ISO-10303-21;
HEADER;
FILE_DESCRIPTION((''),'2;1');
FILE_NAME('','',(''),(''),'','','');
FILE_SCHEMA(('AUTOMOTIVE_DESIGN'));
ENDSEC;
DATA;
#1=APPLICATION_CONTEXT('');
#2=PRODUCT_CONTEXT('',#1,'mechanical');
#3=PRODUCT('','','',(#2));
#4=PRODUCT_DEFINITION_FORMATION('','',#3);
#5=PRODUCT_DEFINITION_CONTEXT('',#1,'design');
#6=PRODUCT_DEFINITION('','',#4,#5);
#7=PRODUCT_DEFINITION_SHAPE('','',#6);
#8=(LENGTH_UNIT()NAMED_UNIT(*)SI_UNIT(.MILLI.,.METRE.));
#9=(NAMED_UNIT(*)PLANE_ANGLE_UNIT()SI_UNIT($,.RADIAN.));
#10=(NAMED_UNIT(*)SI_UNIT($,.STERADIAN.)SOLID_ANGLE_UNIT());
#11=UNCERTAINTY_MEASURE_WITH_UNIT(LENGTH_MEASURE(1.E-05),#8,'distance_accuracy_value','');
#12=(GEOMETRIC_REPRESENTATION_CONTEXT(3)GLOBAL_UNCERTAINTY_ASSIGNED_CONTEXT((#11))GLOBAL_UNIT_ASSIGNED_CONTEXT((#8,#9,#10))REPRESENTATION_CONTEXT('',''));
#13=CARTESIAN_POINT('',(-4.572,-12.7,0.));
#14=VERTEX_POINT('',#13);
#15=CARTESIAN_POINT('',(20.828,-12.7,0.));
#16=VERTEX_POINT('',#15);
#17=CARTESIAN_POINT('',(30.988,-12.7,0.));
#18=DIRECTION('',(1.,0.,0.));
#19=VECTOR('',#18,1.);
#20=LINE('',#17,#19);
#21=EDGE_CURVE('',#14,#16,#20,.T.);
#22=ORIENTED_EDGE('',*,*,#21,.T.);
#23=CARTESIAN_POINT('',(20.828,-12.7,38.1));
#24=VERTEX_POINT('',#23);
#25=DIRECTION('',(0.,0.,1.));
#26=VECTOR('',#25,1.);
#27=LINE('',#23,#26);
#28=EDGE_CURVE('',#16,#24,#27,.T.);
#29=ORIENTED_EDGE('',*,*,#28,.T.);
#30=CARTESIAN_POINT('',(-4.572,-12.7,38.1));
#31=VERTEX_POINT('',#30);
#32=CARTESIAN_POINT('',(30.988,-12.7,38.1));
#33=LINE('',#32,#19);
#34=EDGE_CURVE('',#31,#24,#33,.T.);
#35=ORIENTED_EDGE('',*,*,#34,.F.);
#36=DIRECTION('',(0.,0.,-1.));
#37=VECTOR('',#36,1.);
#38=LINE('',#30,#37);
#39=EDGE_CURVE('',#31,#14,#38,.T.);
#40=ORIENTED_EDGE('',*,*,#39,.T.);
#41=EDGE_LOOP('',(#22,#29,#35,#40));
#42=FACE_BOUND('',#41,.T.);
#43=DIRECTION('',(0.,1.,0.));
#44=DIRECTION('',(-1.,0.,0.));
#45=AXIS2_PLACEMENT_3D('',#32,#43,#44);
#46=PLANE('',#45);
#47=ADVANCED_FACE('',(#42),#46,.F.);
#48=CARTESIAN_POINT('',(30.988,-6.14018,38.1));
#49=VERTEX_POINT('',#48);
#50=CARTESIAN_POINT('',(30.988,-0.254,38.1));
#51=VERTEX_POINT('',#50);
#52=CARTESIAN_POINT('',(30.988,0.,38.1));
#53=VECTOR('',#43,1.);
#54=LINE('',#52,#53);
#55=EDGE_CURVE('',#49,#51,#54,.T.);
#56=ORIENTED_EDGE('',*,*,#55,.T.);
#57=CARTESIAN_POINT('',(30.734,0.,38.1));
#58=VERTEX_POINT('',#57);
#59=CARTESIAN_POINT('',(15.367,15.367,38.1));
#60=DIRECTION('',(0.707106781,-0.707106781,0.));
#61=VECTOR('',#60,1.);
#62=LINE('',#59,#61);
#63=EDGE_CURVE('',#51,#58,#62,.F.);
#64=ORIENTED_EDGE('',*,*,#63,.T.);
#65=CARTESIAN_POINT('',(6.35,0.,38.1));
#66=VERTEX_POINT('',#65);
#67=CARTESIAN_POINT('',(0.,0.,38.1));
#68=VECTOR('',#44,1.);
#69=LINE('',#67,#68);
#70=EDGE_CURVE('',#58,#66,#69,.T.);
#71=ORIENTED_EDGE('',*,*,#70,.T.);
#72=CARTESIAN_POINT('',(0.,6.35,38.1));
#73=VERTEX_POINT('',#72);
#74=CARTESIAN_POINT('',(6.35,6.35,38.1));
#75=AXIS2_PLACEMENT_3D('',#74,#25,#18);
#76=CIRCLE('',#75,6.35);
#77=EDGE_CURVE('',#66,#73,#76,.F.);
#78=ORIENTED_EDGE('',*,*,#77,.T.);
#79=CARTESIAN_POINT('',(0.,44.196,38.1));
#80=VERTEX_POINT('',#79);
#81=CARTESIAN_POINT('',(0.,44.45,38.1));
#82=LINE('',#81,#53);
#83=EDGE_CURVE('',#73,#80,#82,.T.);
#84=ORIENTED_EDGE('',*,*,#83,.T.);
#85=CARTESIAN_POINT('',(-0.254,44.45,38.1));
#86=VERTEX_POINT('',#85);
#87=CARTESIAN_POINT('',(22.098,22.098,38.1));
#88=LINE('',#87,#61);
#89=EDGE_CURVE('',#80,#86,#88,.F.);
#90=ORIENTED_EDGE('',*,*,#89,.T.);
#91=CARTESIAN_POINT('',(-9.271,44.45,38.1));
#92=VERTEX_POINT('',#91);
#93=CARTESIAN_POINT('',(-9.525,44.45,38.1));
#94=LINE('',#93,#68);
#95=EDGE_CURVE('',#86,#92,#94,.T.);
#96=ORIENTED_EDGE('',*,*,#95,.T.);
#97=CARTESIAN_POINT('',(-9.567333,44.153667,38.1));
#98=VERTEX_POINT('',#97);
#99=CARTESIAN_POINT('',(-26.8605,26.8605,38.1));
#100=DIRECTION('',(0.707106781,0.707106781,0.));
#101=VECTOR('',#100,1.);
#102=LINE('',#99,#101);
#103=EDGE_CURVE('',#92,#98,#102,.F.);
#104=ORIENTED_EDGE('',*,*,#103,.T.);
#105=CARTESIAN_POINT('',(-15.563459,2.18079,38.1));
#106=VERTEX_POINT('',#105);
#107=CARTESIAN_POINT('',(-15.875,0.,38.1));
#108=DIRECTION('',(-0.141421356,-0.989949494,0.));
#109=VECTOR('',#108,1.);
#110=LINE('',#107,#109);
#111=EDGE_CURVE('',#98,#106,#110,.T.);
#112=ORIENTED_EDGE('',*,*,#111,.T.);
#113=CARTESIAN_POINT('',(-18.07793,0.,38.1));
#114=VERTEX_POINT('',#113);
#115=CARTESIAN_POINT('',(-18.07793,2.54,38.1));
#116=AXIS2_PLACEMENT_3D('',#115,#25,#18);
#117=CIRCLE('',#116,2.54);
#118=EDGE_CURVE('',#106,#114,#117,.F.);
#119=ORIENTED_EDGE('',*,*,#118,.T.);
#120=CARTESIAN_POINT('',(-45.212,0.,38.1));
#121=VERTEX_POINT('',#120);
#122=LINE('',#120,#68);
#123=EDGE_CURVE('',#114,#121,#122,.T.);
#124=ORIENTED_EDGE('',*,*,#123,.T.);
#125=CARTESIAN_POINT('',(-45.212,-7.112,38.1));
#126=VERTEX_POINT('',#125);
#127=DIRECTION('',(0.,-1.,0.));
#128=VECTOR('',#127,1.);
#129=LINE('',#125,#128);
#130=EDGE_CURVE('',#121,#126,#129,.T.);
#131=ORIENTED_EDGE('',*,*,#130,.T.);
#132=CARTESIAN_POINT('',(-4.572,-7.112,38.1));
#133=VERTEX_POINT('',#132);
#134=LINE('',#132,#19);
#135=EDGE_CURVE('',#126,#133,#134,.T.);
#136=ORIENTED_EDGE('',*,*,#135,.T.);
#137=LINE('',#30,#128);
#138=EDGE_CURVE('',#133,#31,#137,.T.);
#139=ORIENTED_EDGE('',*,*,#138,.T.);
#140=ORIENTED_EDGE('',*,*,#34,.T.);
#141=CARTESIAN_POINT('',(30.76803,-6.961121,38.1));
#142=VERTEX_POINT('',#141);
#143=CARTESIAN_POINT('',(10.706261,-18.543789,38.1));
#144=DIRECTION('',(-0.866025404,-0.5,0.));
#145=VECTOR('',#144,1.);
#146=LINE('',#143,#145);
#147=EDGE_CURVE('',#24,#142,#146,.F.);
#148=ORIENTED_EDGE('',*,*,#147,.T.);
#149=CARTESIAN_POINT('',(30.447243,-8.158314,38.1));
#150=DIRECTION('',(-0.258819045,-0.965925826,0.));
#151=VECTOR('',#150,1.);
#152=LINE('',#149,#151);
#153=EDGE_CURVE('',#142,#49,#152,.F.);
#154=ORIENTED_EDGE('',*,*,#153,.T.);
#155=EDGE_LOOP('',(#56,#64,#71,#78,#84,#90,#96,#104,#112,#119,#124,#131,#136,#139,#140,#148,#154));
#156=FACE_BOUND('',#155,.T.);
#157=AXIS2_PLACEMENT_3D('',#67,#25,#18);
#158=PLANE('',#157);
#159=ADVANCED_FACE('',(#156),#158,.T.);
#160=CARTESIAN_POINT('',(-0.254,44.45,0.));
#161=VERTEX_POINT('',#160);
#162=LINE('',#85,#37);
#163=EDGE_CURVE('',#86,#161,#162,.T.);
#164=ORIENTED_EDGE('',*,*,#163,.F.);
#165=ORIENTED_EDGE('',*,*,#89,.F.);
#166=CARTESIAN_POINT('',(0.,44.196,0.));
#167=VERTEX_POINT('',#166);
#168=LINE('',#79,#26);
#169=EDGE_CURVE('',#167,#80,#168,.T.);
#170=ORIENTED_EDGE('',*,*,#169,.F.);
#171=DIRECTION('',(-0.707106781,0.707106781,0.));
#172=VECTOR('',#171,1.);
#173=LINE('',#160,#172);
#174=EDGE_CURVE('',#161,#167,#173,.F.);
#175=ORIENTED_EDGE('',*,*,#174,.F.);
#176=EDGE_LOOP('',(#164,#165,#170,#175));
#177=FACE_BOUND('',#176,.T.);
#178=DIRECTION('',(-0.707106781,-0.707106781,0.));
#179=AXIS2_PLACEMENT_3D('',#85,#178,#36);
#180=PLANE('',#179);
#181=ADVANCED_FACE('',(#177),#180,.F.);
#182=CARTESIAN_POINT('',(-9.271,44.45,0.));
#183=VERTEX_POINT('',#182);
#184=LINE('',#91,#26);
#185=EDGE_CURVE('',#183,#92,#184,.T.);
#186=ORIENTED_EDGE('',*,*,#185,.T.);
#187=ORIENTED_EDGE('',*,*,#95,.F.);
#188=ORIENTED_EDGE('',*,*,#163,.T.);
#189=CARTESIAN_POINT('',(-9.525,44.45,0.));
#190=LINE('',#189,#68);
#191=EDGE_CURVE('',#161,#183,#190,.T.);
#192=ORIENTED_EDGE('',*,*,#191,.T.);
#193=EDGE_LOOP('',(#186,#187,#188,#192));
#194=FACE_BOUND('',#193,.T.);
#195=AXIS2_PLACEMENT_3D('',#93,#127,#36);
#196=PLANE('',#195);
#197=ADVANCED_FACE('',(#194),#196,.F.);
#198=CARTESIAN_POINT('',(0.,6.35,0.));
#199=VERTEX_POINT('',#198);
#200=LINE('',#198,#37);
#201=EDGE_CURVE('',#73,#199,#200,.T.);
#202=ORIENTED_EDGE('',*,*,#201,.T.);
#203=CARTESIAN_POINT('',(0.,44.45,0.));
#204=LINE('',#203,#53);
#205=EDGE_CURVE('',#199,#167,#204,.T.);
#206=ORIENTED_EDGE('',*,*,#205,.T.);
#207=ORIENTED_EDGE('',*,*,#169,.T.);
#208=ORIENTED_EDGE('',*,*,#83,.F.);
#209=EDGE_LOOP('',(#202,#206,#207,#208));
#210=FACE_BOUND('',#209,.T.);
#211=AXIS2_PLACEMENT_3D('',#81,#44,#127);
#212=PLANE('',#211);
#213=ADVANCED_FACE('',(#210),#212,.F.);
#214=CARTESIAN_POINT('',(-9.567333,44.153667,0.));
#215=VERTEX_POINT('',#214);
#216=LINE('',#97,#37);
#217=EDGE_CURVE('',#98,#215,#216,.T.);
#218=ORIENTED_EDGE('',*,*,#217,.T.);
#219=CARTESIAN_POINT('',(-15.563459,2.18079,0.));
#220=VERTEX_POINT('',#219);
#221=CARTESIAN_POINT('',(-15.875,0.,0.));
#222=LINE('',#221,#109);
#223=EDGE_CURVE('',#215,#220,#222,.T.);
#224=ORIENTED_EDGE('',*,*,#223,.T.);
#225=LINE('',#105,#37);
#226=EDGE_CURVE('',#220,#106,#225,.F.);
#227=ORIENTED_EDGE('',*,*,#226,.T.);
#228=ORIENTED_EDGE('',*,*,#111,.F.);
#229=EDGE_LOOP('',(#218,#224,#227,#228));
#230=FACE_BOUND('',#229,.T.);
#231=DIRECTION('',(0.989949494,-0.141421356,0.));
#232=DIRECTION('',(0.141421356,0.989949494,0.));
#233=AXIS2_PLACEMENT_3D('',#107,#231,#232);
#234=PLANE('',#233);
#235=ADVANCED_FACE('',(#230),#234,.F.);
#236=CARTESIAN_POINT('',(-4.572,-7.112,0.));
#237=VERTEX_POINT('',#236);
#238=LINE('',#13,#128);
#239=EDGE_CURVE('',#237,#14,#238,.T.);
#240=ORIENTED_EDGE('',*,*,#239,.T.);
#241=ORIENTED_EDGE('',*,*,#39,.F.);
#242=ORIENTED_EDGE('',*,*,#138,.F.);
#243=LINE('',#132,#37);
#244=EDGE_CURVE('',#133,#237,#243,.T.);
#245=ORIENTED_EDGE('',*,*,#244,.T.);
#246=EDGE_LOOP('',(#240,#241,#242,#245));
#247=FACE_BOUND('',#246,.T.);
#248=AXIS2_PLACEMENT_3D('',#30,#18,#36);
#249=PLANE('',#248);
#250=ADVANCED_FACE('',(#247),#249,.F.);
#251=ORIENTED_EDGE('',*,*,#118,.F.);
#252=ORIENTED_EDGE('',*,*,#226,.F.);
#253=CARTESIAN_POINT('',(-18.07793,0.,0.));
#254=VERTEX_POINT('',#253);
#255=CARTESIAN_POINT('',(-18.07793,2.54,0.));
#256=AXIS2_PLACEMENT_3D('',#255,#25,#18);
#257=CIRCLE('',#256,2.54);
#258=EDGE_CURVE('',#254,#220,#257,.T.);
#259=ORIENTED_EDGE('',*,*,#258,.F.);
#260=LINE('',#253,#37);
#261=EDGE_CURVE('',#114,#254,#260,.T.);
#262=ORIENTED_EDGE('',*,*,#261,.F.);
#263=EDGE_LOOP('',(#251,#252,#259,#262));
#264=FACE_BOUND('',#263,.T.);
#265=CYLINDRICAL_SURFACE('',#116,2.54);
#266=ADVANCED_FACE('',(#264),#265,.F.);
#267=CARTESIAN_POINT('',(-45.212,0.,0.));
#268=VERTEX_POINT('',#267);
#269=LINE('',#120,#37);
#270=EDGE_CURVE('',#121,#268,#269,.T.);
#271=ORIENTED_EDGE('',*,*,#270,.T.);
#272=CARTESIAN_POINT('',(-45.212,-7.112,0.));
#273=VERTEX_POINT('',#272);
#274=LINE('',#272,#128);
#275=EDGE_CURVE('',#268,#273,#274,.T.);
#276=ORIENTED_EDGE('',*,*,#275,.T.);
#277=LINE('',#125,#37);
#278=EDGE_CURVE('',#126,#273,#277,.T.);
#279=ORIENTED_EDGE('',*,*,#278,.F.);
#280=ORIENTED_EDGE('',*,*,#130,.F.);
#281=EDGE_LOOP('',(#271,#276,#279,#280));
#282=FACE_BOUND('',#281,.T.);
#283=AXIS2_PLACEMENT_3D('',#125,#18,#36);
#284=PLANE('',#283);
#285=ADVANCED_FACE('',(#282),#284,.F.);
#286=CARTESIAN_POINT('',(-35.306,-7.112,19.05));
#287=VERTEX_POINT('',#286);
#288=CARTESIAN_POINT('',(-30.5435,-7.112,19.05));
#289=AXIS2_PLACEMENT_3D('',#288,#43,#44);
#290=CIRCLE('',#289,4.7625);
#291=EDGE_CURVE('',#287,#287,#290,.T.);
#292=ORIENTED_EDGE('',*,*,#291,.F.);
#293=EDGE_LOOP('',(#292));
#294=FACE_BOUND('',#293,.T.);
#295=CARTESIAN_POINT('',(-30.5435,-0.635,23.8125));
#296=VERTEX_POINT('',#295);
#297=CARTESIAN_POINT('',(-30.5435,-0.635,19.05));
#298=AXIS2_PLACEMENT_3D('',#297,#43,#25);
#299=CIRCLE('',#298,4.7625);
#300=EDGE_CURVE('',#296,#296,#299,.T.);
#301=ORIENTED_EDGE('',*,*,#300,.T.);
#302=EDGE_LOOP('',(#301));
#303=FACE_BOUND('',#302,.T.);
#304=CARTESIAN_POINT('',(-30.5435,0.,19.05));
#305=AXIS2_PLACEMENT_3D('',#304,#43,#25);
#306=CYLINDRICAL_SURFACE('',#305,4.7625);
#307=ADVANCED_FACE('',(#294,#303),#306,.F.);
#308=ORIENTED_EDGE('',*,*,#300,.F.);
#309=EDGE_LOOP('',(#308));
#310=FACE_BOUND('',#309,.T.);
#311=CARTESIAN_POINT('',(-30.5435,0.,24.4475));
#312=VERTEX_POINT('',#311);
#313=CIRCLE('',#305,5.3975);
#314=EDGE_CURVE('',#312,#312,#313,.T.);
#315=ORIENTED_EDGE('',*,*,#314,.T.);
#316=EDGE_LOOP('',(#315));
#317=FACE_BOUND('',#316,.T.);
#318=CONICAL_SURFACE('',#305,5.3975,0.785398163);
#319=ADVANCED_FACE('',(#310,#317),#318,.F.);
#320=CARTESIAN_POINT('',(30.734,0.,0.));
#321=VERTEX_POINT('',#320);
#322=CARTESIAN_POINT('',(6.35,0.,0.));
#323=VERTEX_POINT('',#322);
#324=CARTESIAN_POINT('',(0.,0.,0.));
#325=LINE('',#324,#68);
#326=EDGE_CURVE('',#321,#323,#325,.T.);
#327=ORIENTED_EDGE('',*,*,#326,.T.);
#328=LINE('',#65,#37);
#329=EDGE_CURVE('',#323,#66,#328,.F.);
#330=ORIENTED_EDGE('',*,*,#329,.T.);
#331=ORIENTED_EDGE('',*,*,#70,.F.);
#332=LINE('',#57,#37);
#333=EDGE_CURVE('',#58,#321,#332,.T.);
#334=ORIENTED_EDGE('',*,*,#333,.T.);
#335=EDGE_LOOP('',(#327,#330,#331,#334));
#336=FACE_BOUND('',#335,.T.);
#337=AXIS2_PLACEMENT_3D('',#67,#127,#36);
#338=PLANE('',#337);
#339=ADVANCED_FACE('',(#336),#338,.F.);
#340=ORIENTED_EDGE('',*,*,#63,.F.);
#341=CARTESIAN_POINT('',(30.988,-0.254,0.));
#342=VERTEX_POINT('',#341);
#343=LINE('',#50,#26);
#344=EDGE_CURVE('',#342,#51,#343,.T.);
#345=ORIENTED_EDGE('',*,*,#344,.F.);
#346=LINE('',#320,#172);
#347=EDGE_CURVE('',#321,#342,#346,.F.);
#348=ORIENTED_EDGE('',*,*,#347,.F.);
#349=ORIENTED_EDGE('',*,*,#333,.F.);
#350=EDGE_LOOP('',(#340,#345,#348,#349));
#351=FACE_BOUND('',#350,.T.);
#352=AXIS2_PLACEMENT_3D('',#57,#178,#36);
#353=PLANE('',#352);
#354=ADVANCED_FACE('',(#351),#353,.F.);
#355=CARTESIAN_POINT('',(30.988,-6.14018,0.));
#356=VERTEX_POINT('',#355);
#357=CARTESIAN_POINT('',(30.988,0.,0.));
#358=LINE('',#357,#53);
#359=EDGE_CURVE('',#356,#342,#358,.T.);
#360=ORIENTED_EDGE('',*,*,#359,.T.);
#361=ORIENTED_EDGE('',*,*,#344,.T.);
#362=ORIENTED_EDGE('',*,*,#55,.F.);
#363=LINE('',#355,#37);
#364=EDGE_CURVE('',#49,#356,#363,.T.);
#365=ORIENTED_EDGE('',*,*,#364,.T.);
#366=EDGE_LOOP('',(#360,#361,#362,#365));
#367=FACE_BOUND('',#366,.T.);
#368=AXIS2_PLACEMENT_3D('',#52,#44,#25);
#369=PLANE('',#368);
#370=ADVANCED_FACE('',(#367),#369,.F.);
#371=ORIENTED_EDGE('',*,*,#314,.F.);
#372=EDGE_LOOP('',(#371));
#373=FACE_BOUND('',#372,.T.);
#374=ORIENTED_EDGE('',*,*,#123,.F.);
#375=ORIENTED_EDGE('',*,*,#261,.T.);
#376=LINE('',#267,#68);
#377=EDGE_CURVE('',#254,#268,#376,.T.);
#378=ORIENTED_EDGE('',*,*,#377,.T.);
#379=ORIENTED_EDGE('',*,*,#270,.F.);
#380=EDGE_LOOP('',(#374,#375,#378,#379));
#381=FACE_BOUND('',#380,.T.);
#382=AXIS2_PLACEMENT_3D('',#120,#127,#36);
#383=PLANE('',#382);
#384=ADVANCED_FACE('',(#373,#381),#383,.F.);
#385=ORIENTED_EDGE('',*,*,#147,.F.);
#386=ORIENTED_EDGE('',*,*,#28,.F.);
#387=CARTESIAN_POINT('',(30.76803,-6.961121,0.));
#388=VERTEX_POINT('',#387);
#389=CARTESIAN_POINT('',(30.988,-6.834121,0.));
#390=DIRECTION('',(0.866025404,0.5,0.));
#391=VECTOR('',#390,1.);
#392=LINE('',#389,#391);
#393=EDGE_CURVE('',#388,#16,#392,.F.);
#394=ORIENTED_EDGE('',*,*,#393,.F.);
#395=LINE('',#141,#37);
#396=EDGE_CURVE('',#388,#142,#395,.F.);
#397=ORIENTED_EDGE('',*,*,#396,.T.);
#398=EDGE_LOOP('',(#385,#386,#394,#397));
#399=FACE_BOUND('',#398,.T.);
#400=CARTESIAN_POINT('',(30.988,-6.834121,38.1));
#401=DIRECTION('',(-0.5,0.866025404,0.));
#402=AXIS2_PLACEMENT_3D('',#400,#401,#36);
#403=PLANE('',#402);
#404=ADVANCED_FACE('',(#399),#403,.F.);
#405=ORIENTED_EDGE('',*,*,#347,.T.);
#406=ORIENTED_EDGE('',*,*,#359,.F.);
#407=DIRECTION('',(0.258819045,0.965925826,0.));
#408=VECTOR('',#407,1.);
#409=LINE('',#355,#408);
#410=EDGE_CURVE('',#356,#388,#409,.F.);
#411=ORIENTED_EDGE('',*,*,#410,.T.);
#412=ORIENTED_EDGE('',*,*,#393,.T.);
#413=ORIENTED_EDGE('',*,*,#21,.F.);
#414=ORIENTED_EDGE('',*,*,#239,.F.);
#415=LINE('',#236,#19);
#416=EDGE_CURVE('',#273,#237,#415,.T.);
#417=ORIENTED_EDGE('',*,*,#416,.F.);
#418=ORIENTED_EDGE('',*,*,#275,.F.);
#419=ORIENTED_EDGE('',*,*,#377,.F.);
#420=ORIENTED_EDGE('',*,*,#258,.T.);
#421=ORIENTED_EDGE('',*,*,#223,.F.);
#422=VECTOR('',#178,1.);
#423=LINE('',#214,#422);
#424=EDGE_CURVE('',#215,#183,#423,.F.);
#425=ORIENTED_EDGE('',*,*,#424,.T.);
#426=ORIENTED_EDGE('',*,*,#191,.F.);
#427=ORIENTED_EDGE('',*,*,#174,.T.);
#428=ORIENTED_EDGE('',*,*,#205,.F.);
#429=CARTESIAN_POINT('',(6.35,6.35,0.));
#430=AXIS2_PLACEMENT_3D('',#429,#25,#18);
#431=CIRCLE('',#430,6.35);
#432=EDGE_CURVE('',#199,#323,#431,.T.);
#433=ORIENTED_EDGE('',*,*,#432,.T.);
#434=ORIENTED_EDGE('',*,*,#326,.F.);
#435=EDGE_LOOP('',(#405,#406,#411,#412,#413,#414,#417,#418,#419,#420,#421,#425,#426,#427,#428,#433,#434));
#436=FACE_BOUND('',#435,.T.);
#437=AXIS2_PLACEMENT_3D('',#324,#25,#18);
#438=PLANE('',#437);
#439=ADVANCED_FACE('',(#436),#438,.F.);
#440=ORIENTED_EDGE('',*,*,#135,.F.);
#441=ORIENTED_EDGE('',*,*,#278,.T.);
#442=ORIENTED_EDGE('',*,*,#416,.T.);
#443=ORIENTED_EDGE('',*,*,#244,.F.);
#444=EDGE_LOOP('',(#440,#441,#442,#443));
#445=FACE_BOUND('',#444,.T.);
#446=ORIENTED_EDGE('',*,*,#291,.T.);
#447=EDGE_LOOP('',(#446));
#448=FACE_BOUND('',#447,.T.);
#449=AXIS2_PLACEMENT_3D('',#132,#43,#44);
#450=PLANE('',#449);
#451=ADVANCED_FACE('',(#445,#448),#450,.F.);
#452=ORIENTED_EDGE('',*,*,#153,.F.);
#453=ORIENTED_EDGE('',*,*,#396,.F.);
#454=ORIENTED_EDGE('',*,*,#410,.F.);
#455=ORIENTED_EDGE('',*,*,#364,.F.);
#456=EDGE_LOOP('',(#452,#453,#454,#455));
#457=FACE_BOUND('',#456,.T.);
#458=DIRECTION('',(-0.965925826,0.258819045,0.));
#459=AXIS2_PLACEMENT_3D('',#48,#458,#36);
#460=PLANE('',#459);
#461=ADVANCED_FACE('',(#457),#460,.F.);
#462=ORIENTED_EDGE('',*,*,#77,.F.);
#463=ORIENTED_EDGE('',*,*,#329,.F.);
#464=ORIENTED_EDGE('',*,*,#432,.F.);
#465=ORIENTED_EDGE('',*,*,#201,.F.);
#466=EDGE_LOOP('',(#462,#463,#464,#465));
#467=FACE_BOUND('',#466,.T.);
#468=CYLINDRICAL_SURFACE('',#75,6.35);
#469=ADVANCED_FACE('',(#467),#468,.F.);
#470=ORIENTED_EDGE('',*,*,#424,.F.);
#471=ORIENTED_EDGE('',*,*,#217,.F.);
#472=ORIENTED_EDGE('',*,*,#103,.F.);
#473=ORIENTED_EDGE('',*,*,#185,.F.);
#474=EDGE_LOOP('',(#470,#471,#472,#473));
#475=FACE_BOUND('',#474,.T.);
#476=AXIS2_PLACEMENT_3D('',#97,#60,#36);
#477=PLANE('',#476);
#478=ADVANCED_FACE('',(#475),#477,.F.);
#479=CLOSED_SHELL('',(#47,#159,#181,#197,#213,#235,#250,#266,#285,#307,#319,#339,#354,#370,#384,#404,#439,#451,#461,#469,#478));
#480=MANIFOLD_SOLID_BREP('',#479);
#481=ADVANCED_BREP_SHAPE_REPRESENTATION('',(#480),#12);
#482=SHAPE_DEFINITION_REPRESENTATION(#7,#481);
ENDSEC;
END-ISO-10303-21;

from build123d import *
from OCP.BRepFilletAPI import BRepFilletAPI_MakeChamfer

# Parameters (mm, degrees)
BOSS_EXTRUDE1_DEPTH                    = 38.1
F_3_8_0_375_DIAMETER_HOLE1_D           = 9.525
F_3_8_0_375_DIAMETER_HOLE1_CSINK_D     = 10.795
F_3_8_0_375_DIAMETER_HOLE1_CSINK_ANGLE = 90
CHAMFER1_SIZE                          = 10.16
CHAMFER1_SIZE2                         = 5.865878735
FILLET1_R                              = 2.54
FILLET2_R                              = 6.35
CHAMFER2_SIZE                          = 0.254
CHAMFER2_SIZE2                         = 0.299341871
CHAMFER2_SIZE2_2                       = 0.693940905


with BuildPart() as part:
    # Sketch1 → Boss-Extrude1 (new body)
    with BuildSketch(Plane.XY):
        Polygon((0, 0), (30.988, 0), (30.988, -12.7), (-4.572, -12.7), (-4.572, -7.112), (-45.212, -7.112), (-45.212, 0), (-15.875, 0), (-9.525, 44.45), (0, 44.45), align=None)
    extrude(amount=BOSS_EXTRUDE1_DEPTH)

    # 3/8 (0.375) Diameter Hole1 (through all)
    with Locations(Plane(origin=(0, 0, 0), x_dir=(1, 0, 0), z_dir=(0, 1, 0))):
        with Locations((-30.5435, -19.05)):
            CounterSinkHole(F_3_8_0_375_DIAMETER_HOLE1_D / 2, F_3_8_0_375_DIAMETER_HOLE1_CSINK_D / 2, counter_sink_angle=F_3_8_0_375_DIAMETER_HOLE1_CSINK_ANGLE)

    # Chamfer1
    chamfer1_edges = [part.edges().sort_by_distance(p)[0] for p in [
        (30.988, -12.7, 19.05),
    ]]
    chamfer1_side = [part.faces().sort_by_distance(p)[0] for p in [
        (13.208, -12.7, 19.05),
    ]]
    chamfer(chamfer1_edges, length=CHAMFER1_SIZE, length2=CHAMFER1_SIZE2, reference=chamfer1_side[0])

    # Fillet1
    fillet1_edges = [part.edges().sort_by_distance(p)[0] for p in [
        (-15.875, 0, 19.05),
    ]]
    fillet(fillet1_edges, radius=FILLET1_R)

    # Fillet2
    fillet2_edges = [part.edges().sort_by_distance(p)[0] for p in [
        (0, 0, 19.05),
    ]]
    fillet(fillet2_edges, radius=FILLET2_R)

    # Chamfer2: one chamfer whose edges measure the first distance from different faces: ONE call of the kernel's chamfer builder (chamfer() names one face for all edges)
    chamfer2_edges_1 = [part.edges().sort_by_distance(p)[0] for p in [
        (30.988, 0, 19.05),
        (0, 44.45, 19.05),
    ]]
    chamfer2_edges_2 = [part.edges().sort_by_distance(p)[0] for p in [
        (-9.525, 44.45, 19.05),
    ]]
    chamfer2_side_2 = [part.faces().sort_by_distance(p)[0] for p in [
        (-4.7625, 44.45, 19.05),
    ]]
    chamfer2_edges_3 = [part.edges().sort_by_distance(p)[0] for p in [
        (30.988, -6.834121265, 19.05),
    ]]
    chamfer2_side_3 = [part.faces().sort_by_distance(p)[0] for p in [
        (25.908, -9.767060633, 19.05),
    ]]
    chamfer2 = BRepFilletAPI_MakeChamfer(part.part.solid().wrapped)
    for e in chamfer2_edges_1:
        chamfer2.Add(CHAMFER2_SIZE, e.wrapped)
    for e in chamfer2_edges_2:
        chamfer2.Add(CHAMFER2_SIZE, CHAMFER2_SIZE2, e.wrapped, chamfer2_side_2[0].wrapped)  # the first distance lies on this face
    for e in chamfer2_edges_3:
        chamfer2.Add(CHAMFER2_SIZE, CHAMFER2_SIZE2_2, e.wrapped, chamfer2_side_3[0].wrapped)  # the first distance lies on this face
    add(Compound.cast(chamfer2.Shape()), mode=Mode.REPLACE)


solid = part.part
